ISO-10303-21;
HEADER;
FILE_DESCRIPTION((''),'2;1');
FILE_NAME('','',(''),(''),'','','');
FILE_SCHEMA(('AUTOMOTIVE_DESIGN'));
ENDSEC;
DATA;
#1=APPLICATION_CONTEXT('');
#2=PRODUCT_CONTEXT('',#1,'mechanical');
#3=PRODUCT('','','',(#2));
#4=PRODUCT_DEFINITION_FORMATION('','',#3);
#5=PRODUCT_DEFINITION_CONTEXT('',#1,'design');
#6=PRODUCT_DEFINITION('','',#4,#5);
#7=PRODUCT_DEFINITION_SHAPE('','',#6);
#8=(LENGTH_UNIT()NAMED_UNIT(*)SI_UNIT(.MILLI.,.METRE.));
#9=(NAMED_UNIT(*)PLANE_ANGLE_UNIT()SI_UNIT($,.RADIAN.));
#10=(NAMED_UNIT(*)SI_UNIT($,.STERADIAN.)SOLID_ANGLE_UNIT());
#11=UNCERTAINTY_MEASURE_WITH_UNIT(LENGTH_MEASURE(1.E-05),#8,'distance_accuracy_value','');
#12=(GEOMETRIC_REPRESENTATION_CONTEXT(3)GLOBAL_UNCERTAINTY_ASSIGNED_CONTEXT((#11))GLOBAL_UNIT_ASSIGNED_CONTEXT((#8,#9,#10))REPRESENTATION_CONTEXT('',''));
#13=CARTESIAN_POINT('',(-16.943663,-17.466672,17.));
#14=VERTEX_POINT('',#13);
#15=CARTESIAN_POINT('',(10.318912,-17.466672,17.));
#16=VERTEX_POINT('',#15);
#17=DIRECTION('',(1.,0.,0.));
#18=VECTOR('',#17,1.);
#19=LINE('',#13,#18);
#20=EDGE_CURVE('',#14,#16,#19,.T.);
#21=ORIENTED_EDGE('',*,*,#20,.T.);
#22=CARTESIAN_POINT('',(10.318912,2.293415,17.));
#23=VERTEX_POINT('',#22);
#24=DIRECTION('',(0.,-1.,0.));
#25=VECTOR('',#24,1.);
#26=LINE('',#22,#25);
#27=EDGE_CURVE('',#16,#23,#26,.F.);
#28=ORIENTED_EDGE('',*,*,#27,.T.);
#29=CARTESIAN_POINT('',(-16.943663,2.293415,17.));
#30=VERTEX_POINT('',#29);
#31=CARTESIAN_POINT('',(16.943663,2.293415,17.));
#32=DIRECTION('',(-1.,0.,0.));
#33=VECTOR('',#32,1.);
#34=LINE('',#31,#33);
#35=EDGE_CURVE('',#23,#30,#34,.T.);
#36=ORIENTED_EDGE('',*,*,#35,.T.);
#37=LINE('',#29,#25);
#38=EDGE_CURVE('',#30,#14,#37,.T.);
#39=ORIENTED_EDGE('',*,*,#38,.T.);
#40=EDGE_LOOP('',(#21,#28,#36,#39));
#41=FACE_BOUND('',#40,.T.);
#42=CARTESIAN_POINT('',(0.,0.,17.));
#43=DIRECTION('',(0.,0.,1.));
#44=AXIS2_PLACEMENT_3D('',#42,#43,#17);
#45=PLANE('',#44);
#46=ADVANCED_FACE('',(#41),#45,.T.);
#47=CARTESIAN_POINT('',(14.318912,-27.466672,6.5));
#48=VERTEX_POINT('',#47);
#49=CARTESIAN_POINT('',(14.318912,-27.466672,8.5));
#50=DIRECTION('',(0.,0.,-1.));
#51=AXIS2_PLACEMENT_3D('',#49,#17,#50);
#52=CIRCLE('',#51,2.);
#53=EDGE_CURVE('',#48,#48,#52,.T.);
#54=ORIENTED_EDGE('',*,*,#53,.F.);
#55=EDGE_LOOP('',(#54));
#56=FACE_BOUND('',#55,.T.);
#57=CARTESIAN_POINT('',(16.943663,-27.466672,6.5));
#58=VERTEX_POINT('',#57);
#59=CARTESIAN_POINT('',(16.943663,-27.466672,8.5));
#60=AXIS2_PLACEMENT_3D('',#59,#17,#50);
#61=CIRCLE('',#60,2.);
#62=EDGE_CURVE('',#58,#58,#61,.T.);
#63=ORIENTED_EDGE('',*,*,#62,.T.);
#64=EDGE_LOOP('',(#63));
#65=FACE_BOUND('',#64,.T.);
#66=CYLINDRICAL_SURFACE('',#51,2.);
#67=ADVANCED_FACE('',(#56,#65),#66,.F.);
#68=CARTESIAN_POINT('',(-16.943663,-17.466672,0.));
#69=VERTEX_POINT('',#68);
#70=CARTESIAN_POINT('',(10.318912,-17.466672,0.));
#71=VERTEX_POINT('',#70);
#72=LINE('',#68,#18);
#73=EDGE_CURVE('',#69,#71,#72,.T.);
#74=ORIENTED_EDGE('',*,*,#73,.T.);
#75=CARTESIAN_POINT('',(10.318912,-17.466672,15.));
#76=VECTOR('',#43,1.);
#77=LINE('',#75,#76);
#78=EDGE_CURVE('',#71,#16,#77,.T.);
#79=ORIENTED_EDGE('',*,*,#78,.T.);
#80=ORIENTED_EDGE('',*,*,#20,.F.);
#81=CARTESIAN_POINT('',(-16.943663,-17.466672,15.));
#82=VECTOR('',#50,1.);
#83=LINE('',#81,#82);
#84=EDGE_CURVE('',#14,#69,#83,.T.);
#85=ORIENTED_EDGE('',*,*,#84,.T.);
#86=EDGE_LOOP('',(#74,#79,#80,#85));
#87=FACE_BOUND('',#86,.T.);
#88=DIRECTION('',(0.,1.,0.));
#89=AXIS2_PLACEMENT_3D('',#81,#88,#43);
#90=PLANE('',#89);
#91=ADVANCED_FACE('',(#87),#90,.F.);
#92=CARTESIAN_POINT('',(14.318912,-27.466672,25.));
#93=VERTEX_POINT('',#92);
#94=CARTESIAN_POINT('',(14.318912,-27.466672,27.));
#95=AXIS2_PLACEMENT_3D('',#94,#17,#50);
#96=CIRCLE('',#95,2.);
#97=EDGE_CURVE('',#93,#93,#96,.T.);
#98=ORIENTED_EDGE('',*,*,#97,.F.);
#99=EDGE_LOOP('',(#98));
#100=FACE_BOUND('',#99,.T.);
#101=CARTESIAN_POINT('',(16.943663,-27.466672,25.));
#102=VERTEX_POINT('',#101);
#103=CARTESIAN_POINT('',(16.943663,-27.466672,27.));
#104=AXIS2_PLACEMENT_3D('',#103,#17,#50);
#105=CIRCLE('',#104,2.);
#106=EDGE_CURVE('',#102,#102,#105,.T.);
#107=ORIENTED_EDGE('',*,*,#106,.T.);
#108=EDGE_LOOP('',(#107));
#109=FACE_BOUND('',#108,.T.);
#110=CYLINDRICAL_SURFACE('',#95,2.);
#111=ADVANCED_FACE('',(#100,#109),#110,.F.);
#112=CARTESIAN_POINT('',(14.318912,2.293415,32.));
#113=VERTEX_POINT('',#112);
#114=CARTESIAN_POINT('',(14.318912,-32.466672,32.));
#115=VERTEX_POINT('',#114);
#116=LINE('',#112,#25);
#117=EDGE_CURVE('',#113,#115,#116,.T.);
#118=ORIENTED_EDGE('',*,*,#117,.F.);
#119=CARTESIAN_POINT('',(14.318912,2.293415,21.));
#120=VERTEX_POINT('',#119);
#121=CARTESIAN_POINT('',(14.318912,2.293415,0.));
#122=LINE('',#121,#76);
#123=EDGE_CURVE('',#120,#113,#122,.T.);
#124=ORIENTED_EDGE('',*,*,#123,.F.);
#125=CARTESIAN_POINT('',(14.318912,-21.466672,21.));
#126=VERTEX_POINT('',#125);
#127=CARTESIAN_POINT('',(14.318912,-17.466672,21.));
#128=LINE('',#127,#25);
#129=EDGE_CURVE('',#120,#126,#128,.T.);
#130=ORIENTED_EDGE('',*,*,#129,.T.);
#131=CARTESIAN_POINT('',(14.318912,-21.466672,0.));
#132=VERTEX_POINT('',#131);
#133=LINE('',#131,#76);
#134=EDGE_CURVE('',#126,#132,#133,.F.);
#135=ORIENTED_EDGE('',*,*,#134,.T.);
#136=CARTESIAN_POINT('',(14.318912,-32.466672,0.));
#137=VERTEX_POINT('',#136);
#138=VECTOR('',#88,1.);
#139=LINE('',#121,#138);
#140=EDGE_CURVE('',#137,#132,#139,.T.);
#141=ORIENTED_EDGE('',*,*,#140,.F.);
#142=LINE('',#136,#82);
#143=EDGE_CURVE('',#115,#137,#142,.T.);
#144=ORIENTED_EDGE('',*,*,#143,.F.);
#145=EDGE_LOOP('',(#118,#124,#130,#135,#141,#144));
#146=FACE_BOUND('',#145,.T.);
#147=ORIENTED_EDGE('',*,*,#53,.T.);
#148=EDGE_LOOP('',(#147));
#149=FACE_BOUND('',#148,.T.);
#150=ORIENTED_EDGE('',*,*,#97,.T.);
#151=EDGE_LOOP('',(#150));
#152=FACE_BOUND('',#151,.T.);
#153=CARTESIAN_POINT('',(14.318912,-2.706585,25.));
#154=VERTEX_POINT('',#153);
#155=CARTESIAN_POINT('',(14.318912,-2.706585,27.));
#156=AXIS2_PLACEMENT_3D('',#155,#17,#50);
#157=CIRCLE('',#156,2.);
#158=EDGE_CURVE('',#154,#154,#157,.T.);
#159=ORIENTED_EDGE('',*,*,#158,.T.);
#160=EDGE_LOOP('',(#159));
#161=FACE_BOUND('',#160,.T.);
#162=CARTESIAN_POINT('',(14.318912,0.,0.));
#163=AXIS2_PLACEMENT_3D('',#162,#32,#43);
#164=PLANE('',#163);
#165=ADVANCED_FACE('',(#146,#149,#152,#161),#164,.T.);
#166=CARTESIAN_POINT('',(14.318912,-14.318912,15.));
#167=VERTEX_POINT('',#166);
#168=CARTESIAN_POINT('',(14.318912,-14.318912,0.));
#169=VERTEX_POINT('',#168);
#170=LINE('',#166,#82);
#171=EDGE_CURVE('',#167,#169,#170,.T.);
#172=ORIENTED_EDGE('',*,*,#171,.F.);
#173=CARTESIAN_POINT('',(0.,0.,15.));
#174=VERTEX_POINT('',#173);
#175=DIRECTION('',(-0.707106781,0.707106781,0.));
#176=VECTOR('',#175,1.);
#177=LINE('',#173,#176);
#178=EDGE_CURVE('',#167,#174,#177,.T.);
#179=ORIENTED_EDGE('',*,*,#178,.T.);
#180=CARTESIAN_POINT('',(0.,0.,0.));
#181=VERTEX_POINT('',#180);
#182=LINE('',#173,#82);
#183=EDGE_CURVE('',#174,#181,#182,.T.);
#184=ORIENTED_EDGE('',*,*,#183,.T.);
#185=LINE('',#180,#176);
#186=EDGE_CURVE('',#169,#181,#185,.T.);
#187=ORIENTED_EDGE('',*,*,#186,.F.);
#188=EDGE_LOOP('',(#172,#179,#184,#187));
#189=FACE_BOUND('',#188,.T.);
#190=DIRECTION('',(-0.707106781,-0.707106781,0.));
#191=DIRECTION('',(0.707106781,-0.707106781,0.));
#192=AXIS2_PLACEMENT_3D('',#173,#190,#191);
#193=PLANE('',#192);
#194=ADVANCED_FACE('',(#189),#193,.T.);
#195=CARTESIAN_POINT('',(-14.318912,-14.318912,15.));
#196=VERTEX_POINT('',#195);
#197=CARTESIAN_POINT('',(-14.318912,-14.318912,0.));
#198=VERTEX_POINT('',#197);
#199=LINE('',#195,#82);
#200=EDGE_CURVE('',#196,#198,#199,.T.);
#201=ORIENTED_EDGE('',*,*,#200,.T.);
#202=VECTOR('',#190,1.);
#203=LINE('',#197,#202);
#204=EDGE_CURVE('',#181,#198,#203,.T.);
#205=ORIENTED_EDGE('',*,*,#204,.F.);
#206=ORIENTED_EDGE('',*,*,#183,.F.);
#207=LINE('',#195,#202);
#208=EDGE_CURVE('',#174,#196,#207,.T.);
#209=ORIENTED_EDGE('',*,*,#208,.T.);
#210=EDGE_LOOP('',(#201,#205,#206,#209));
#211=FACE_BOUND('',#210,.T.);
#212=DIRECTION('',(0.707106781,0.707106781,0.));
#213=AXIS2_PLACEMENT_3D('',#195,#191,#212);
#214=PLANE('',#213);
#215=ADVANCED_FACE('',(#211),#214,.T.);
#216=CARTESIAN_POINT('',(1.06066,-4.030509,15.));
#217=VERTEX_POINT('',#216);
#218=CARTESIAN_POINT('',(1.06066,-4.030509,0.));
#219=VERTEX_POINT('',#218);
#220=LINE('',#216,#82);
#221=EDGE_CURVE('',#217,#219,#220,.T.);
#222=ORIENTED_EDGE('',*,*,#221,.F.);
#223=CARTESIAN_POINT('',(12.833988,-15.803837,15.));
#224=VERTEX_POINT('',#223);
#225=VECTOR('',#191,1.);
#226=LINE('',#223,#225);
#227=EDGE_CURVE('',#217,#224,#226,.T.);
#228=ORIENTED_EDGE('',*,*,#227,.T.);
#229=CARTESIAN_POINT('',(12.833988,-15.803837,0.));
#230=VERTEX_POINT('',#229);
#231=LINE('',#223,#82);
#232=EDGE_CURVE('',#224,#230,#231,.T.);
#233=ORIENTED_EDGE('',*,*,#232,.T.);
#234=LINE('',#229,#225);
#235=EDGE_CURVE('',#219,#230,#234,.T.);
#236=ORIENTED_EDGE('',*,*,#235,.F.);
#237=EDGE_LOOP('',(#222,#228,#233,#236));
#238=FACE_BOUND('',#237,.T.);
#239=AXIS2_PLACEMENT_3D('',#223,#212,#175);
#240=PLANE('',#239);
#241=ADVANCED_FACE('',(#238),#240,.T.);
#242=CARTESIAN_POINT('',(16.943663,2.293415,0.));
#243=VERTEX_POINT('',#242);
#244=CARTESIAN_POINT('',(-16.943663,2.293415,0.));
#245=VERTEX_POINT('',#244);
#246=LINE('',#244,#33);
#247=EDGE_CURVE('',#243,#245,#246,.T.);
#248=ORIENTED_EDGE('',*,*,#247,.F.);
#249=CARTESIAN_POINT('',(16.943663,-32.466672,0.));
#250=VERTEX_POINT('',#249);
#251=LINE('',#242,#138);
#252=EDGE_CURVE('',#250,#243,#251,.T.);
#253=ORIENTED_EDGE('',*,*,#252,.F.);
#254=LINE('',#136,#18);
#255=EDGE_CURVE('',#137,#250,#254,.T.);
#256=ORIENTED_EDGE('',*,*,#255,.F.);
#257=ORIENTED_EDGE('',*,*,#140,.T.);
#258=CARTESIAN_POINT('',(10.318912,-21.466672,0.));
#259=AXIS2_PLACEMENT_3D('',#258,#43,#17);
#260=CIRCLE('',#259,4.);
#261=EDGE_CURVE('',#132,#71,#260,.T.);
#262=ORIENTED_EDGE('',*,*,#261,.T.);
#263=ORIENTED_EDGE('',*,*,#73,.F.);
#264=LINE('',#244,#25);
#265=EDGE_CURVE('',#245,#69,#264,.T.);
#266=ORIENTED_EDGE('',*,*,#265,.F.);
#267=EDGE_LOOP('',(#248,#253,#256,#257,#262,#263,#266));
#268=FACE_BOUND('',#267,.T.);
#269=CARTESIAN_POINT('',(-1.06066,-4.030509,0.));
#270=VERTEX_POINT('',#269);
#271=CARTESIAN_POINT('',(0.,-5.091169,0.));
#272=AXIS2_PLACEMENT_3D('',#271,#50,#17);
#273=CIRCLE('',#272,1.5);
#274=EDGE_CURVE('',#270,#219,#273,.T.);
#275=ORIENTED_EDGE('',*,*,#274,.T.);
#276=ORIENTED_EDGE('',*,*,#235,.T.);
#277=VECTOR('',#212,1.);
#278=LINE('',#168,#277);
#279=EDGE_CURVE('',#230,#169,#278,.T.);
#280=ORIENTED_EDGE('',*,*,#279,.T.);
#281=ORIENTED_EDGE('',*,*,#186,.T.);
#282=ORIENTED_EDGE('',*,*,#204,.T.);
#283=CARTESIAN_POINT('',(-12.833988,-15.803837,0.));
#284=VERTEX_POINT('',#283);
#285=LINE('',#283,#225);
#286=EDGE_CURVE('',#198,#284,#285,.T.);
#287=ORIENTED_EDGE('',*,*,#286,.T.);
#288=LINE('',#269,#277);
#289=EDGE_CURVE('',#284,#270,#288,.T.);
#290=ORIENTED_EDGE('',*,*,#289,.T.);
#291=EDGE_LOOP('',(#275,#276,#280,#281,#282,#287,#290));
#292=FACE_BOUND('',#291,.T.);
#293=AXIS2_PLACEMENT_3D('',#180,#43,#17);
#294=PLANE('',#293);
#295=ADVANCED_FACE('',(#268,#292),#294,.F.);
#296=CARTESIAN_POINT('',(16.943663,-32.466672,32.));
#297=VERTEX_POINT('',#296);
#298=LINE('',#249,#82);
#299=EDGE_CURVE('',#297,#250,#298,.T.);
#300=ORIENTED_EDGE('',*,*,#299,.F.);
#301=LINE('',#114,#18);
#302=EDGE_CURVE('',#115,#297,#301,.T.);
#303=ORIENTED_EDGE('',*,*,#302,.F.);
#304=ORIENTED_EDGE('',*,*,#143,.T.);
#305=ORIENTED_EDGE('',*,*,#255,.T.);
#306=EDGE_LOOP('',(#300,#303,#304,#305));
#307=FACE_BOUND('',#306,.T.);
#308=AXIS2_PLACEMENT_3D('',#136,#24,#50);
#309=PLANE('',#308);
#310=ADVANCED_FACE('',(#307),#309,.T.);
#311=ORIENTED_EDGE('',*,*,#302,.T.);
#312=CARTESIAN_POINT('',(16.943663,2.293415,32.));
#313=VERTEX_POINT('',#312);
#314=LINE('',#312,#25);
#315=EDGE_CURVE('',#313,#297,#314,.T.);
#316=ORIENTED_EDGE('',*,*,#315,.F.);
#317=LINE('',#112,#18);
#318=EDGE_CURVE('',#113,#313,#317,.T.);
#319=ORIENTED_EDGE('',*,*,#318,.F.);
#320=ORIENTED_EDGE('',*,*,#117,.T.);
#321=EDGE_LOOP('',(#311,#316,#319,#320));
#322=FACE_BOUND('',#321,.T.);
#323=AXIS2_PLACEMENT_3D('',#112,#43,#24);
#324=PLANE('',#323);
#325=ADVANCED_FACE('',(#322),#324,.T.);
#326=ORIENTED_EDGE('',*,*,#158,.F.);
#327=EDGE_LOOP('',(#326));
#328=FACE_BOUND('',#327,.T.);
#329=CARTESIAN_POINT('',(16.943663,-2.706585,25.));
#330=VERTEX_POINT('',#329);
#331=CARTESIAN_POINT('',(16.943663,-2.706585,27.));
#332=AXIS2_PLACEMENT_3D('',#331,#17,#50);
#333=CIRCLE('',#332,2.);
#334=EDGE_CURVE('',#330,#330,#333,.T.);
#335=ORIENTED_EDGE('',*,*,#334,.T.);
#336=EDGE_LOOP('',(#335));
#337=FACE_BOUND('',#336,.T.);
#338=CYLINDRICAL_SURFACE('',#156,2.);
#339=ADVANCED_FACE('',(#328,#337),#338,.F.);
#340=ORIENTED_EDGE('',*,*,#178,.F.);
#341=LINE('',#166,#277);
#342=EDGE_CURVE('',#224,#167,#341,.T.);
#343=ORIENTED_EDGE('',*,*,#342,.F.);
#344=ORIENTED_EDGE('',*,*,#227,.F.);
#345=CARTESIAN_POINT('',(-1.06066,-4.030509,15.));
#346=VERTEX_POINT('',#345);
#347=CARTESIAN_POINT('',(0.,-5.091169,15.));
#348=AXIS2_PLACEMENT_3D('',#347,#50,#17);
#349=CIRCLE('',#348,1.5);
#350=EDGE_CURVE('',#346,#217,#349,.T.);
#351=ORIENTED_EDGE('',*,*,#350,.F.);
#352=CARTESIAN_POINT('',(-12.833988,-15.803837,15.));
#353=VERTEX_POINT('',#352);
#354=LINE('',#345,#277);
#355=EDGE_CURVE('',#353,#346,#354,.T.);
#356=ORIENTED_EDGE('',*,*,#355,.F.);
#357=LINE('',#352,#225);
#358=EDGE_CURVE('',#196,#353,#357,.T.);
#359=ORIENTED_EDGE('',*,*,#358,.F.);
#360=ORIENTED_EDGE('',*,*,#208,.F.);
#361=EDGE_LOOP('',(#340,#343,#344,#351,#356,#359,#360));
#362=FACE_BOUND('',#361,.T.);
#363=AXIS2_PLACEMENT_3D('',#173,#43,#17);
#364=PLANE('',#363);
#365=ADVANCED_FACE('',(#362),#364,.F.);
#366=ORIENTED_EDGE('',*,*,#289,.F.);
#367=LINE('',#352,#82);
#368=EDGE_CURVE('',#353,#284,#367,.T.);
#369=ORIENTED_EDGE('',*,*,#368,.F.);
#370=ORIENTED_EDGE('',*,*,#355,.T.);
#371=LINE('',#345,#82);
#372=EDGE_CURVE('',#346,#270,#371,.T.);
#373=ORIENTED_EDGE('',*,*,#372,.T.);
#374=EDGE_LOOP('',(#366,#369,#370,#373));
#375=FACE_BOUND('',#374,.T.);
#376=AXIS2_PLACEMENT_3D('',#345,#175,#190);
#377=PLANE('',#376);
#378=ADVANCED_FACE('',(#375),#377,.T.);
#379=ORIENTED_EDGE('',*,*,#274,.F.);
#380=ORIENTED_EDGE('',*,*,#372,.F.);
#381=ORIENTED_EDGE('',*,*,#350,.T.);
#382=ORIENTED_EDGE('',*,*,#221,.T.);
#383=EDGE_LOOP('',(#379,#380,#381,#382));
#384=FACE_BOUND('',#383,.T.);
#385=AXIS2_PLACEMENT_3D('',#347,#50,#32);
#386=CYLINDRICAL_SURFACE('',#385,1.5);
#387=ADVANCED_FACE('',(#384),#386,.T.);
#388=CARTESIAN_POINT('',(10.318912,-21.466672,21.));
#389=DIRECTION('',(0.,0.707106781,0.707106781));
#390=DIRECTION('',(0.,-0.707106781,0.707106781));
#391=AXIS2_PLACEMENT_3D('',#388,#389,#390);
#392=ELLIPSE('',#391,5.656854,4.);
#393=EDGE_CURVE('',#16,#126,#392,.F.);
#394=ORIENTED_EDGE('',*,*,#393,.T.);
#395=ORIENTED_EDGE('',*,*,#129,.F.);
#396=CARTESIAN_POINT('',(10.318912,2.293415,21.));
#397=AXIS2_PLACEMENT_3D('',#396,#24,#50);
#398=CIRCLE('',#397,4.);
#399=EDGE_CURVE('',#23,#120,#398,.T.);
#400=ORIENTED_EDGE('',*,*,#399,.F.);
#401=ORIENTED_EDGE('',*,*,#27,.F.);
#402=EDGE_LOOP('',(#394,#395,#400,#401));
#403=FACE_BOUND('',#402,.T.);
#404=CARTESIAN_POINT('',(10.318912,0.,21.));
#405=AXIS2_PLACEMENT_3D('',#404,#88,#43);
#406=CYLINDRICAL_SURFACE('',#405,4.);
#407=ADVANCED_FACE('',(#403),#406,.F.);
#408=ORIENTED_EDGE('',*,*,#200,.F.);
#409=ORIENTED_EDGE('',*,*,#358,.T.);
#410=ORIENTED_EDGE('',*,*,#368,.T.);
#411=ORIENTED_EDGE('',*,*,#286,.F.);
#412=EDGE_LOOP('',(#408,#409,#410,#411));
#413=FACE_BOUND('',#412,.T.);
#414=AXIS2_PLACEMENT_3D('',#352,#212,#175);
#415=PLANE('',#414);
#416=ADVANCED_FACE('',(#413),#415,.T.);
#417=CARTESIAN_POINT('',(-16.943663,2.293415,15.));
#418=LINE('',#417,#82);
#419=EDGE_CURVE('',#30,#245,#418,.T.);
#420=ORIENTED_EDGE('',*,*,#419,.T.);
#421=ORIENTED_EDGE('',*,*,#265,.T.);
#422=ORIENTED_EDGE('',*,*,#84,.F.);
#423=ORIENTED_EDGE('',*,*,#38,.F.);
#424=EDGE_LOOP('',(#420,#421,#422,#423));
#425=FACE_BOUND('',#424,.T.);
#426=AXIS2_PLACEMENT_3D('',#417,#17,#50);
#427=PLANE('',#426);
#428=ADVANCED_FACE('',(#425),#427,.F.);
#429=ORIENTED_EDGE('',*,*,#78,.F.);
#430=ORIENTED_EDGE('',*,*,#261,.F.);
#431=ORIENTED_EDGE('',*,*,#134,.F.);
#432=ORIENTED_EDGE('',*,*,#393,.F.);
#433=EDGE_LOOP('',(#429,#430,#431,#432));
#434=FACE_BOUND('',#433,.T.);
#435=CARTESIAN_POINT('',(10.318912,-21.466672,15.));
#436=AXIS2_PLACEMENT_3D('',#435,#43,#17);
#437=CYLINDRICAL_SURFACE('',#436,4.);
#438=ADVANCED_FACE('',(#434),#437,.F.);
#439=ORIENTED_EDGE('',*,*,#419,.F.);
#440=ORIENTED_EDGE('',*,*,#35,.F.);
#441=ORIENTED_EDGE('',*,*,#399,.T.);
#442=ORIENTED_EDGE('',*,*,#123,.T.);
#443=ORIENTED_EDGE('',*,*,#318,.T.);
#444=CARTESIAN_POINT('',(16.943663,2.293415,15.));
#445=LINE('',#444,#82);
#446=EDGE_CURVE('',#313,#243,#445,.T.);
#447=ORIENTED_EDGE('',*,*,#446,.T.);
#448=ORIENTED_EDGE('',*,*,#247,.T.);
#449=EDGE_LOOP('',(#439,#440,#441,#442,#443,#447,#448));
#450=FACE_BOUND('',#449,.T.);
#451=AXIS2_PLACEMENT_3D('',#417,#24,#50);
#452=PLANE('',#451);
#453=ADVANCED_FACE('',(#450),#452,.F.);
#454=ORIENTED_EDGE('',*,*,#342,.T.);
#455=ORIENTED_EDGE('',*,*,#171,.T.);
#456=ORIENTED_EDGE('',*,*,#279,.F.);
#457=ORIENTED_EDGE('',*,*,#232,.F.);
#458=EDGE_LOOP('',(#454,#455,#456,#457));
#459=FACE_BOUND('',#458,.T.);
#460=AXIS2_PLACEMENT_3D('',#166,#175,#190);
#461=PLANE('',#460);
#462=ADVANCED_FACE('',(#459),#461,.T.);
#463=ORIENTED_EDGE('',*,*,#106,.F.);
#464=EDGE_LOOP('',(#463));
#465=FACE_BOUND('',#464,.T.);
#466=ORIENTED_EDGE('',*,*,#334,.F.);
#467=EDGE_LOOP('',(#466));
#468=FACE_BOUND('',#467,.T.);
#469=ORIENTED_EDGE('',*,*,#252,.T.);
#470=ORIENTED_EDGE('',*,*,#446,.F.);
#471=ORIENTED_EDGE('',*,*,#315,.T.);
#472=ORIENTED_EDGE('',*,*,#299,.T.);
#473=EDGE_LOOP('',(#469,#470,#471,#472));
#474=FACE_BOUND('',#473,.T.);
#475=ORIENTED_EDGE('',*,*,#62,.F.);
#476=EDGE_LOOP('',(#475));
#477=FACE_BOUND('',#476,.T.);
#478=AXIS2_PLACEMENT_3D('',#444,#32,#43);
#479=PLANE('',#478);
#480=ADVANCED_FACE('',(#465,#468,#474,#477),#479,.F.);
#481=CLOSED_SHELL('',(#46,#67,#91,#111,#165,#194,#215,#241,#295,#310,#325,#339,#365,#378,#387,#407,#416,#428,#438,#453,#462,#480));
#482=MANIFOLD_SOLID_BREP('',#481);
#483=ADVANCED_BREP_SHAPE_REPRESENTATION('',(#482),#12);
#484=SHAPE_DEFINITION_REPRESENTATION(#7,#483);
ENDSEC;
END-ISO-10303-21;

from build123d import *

# Parameters (mm, degrees)
SKETCH2_W           = 33.887326606
SKETCH2_H           = 19.760086797
BOSS_EXTRUDE1_DEPTH = 15
SKETCH3_W           = 33.887326606
SKETCH3_H           = 19.760086797
BOSS_EXTRUDE2_DEPTH = 2
SKETCH6_W           = 32
SKETCH6_H           = 34.760086797
SKETCH6_R           = 2
BOSS_EXTRUDE4_DEPTH = 2.624753
FILLET1_R           = 4


with BuildPart() as part:
    # Sketch2 → Boss-Extrude1 (new body)
    with BuildSketch(Plane.XY):
        with Locations((0, -7.586628603)):
            Rectangle(SKETCH2_W, SKETCH2_H)
        with BuildLine():
            Line((0, 0), (14.318912319, -14.318912319))
            Line((14.318912319, -14.318912319), (12.833988079, -15.80383656))
            Line((12.833988079, -15.80383656), (1.060660172, -4.030508653))
            ThreePointArc((1.060660172, -4.030508653), (0, -3.591168825), (-1.060660172, -4.030508653))
            Line((-1.060660172, -4.030508653), (-12.833988079, -15.80383656))
            Line((-12.833988079, -15.80383656), (-14.318912319, -14.318912319))
            Line((-14.318912319, -14.318912319), (0, 0))
        make_face(mode=Mode.SUBTRACT)
    extrude(amount=BOSS_EXTRUDE1_DEPTH)

    # Sketch3 → Boss-Extrude2 (add)
    with BuildSketch(Plane.XY.offset(15)):
        with Locations((0, -7.586628603)):
            Rectangle(SKETCH3_W, SKETCH3_H)
    extrude(amount=BOSS_EXTRUDE2_DEPTH)

    # Sketch6 → Boss-Extrude4 (add)
    with BuildSketch(Plane(origin=(16.943663303, 0, 0), x_dir=(0, 0, -1), z_dir=(1, 0, 0))):
        with Locations((-16, -15.086628602)):
            Rectangle(SKETCH6_W, SKETCH6_H)
        with Locations((-8.5, -27.466672001)):
            Circle(SKETCH6_R, mode=Mode.SUBTRACT)
        with Locations((-27, -27.466672001)):
            Circle(SKETCH6_R, mode=Mode.SUBTRACT)
        with Locations((-27, -2.706585204)):
            Circle(SKETCH6_R, mode=Mode.SUBTRACT)
    extrude(amount=-BOSS_EXTRUDE4_DEPTH)

    # Fillet1
    fillet1_edges = [part.edges().sort_by_distance(p)[0] for p in [
        (14.318910303, -7.586628602, 17),
        (14.318910303, -17.466672001, 8.5),
    ]]
    fillet(fillet1_edges, radius=FILLET1_R)


solid = part.part
